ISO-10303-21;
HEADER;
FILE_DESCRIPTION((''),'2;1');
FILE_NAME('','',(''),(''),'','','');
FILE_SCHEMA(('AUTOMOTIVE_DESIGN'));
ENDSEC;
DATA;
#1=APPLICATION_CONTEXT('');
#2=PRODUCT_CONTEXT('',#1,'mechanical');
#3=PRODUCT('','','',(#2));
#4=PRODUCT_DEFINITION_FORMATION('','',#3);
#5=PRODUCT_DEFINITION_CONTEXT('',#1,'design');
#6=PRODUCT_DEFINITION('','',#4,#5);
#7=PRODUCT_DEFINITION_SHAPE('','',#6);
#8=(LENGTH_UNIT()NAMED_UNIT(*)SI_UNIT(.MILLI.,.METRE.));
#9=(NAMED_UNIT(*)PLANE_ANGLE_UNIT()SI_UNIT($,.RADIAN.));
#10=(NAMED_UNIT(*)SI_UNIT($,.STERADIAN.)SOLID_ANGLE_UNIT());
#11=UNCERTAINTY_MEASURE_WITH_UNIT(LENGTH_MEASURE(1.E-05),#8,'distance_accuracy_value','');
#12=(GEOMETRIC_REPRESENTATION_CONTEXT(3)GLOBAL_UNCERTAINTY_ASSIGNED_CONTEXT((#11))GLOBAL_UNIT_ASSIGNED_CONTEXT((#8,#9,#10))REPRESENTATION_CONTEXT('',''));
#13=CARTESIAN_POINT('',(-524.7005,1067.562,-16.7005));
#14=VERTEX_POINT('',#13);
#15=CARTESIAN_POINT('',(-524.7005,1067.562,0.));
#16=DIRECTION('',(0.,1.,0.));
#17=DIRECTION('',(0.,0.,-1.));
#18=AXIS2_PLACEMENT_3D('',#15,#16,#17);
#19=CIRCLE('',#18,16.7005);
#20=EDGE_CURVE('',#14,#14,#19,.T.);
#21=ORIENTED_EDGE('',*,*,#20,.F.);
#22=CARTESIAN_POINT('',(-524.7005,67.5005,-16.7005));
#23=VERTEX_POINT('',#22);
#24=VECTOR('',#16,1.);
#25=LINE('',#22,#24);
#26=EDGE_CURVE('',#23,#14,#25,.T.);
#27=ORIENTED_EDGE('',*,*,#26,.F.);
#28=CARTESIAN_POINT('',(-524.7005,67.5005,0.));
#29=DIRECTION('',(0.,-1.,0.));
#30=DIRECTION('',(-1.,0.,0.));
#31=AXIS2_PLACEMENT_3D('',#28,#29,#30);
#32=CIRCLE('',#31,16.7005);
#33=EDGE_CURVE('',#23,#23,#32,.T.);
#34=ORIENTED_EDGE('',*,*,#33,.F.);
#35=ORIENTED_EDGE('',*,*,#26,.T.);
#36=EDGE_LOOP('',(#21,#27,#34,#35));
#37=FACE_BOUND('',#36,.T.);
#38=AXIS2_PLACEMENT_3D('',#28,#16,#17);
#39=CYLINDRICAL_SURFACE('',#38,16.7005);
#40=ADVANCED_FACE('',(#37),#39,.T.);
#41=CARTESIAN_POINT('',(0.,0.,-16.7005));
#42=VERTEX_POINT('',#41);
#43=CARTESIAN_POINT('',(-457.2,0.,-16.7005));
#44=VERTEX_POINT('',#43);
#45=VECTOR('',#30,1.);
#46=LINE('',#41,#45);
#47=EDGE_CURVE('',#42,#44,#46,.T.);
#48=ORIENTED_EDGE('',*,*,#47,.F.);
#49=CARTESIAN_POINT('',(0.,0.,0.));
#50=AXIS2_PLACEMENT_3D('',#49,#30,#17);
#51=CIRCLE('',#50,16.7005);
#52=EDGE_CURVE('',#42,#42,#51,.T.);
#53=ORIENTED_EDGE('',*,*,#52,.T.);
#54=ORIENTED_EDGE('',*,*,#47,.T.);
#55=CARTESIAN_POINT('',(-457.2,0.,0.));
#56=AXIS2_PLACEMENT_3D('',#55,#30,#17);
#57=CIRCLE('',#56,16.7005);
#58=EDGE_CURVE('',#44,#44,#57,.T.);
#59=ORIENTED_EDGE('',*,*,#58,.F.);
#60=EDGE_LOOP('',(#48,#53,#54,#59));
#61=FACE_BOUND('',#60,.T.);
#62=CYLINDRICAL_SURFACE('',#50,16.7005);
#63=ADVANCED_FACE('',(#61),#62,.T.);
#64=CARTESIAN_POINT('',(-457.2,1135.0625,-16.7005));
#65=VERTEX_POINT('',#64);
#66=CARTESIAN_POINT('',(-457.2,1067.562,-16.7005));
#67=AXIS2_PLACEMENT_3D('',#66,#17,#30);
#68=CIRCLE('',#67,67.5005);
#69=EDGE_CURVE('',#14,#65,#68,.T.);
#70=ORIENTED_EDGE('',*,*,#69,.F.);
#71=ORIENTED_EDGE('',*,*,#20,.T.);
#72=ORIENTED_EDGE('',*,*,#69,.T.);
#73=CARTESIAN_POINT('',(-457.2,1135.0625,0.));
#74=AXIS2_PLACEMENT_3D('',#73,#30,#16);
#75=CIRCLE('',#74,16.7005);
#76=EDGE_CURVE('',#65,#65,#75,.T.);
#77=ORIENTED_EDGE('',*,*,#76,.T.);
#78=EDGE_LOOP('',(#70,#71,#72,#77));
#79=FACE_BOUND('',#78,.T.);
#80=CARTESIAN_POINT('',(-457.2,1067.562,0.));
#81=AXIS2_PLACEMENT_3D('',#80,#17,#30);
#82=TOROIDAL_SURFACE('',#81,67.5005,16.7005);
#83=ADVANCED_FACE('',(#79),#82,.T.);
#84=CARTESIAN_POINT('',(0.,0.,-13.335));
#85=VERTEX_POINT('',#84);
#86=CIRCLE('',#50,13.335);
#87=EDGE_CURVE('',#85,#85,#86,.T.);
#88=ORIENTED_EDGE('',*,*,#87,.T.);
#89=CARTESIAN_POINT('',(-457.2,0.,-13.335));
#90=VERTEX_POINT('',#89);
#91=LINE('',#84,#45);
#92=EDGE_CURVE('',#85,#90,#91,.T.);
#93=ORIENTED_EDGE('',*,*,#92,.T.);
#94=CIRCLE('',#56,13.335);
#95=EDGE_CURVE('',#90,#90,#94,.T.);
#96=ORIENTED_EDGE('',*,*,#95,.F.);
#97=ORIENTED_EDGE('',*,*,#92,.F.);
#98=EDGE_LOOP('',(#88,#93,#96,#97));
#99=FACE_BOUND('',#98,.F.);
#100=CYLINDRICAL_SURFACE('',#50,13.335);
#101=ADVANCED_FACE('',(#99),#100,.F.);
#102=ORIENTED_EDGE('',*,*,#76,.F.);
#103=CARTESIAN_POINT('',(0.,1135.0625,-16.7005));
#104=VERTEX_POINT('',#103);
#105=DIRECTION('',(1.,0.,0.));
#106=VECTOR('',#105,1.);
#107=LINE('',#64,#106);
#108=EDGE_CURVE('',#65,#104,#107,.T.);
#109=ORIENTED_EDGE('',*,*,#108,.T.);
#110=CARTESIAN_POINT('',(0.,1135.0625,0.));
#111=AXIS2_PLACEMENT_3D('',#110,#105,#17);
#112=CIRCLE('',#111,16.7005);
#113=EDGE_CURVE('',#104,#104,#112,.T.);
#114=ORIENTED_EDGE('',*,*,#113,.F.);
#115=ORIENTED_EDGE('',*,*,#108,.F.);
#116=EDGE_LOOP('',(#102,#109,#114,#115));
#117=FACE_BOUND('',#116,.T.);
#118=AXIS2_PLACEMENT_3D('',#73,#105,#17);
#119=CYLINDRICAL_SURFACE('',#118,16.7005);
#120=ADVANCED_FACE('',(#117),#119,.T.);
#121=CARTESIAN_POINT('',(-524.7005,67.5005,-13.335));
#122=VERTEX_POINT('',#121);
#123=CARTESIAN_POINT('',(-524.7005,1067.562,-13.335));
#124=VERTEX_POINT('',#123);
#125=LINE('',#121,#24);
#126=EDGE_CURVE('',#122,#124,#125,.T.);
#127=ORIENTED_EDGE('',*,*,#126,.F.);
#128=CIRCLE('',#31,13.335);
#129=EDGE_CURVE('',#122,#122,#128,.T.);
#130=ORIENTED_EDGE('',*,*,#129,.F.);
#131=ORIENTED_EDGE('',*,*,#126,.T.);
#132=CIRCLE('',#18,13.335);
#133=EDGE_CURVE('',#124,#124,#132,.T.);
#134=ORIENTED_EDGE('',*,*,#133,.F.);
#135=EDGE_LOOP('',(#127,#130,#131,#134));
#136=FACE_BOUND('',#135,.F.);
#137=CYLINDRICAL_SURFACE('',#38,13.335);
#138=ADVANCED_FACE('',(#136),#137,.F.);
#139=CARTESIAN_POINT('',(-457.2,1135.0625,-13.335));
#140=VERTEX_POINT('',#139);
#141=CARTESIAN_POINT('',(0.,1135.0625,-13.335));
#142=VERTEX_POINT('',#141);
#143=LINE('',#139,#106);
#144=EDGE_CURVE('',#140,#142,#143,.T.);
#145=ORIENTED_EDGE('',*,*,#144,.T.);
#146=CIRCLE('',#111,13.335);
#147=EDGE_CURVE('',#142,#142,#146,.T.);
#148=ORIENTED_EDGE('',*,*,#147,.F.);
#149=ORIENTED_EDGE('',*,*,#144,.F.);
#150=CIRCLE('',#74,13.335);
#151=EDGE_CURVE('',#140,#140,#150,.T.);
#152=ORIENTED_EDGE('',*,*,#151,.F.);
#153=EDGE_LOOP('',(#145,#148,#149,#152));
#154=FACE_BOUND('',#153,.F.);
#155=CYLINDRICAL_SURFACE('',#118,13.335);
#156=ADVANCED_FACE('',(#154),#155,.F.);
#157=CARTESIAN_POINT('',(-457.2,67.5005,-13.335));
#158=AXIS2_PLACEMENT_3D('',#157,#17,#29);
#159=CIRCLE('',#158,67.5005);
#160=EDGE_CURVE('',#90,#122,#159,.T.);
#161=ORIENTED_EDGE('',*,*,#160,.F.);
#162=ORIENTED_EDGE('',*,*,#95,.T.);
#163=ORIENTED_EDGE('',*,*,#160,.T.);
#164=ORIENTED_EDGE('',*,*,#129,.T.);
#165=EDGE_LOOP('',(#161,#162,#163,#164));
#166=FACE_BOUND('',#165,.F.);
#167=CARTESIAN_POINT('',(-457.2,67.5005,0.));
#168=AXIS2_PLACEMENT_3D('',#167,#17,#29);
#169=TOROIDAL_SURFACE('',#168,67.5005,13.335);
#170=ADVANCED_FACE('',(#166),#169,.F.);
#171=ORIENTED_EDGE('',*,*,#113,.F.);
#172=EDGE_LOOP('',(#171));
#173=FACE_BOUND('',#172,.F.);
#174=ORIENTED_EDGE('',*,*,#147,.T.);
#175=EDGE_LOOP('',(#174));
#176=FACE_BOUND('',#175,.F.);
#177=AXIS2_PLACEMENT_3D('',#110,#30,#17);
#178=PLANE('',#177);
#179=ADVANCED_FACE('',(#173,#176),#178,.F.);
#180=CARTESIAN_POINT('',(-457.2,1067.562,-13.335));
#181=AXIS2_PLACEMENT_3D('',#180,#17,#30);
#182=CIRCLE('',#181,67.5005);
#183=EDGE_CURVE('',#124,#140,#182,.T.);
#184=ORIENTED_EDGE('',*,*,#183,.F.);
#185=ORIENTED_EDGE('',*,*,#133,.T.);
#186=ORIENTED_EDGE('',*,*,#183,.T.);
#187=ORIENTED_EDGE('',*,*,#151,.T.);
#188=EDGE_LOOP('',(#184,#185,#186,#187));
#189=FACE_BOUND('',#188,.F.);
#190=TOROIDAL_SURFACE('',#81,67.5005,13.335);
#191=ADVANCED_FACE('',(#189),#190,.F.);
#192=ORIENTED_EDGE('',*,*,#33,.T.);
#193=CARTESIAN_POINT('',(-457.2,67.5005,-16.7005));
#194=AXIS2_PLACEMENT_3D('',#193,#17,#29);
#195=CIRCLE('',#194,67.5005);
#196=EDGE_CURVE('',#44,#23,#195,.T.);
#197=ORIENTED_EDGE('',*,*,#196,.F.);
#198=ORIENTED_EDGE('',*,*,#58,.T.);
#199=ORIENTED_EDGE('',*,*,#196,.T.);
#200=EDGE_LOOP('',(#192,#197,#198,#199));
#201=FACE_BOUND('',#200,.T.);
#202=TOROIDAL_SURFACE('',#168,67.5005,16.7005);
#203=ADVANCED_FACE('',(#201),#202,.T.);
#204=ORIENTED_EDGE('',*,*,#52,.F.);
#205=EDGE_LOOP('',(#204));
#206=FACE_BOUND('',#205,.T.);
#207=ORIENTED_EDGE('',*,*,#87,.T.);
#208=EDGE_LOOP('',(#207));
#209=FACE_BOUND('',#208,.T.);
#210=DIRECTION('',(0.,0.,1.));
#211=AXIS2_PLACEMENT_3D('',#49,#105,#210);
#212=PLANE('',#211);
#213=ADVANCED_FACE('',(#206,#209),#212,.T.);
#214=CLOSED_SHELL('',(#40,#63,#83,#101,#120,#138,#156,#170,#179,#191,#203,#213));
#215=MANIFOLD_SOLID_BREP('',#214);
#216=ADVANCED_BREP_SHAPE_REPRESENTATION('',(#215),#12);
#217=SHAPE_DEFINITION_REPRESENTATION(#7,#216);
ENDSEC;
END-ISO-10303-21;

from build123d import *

# Parameters (mm, degrees)
SKETCH2_R   = 16.7005
SKETCH2_R_2 = 13.335


with BuildPart() as part:
    # Sweep1: sweep along a path in Sketch1
    with BuildLine(Plane.XY) as sweep1_path:
        Line((0, 0), (-457.2, 0))
        ThreePointArc((-457.2, 0), (-504.930061283, 19.770438717), (-524.7005, 67.5005))
        Line((-524.7005, 67.5005), (-524.7005, 1067.562))
        ThreePointArc((-524.7005, 1067.562), (-504.930061283, 1115.292061283), (-457.2, 1135.0625))
        Line((-457.2, 1135.0625), (0, 1135.0625))
    # Sketch2 → Sweep1 (sweep)
    with BuildSketch(Plane(origin=(0, 0, 0), x_dir=(0, 0, -1), z_dir=(1, 0, 0))):
        Circle(SKETCH2_R)
        Circle(SKETCH2_R_2, mode=Mode.SUBTRACT)
    sweep(path=sweep1_path.line)


solid = part.part
